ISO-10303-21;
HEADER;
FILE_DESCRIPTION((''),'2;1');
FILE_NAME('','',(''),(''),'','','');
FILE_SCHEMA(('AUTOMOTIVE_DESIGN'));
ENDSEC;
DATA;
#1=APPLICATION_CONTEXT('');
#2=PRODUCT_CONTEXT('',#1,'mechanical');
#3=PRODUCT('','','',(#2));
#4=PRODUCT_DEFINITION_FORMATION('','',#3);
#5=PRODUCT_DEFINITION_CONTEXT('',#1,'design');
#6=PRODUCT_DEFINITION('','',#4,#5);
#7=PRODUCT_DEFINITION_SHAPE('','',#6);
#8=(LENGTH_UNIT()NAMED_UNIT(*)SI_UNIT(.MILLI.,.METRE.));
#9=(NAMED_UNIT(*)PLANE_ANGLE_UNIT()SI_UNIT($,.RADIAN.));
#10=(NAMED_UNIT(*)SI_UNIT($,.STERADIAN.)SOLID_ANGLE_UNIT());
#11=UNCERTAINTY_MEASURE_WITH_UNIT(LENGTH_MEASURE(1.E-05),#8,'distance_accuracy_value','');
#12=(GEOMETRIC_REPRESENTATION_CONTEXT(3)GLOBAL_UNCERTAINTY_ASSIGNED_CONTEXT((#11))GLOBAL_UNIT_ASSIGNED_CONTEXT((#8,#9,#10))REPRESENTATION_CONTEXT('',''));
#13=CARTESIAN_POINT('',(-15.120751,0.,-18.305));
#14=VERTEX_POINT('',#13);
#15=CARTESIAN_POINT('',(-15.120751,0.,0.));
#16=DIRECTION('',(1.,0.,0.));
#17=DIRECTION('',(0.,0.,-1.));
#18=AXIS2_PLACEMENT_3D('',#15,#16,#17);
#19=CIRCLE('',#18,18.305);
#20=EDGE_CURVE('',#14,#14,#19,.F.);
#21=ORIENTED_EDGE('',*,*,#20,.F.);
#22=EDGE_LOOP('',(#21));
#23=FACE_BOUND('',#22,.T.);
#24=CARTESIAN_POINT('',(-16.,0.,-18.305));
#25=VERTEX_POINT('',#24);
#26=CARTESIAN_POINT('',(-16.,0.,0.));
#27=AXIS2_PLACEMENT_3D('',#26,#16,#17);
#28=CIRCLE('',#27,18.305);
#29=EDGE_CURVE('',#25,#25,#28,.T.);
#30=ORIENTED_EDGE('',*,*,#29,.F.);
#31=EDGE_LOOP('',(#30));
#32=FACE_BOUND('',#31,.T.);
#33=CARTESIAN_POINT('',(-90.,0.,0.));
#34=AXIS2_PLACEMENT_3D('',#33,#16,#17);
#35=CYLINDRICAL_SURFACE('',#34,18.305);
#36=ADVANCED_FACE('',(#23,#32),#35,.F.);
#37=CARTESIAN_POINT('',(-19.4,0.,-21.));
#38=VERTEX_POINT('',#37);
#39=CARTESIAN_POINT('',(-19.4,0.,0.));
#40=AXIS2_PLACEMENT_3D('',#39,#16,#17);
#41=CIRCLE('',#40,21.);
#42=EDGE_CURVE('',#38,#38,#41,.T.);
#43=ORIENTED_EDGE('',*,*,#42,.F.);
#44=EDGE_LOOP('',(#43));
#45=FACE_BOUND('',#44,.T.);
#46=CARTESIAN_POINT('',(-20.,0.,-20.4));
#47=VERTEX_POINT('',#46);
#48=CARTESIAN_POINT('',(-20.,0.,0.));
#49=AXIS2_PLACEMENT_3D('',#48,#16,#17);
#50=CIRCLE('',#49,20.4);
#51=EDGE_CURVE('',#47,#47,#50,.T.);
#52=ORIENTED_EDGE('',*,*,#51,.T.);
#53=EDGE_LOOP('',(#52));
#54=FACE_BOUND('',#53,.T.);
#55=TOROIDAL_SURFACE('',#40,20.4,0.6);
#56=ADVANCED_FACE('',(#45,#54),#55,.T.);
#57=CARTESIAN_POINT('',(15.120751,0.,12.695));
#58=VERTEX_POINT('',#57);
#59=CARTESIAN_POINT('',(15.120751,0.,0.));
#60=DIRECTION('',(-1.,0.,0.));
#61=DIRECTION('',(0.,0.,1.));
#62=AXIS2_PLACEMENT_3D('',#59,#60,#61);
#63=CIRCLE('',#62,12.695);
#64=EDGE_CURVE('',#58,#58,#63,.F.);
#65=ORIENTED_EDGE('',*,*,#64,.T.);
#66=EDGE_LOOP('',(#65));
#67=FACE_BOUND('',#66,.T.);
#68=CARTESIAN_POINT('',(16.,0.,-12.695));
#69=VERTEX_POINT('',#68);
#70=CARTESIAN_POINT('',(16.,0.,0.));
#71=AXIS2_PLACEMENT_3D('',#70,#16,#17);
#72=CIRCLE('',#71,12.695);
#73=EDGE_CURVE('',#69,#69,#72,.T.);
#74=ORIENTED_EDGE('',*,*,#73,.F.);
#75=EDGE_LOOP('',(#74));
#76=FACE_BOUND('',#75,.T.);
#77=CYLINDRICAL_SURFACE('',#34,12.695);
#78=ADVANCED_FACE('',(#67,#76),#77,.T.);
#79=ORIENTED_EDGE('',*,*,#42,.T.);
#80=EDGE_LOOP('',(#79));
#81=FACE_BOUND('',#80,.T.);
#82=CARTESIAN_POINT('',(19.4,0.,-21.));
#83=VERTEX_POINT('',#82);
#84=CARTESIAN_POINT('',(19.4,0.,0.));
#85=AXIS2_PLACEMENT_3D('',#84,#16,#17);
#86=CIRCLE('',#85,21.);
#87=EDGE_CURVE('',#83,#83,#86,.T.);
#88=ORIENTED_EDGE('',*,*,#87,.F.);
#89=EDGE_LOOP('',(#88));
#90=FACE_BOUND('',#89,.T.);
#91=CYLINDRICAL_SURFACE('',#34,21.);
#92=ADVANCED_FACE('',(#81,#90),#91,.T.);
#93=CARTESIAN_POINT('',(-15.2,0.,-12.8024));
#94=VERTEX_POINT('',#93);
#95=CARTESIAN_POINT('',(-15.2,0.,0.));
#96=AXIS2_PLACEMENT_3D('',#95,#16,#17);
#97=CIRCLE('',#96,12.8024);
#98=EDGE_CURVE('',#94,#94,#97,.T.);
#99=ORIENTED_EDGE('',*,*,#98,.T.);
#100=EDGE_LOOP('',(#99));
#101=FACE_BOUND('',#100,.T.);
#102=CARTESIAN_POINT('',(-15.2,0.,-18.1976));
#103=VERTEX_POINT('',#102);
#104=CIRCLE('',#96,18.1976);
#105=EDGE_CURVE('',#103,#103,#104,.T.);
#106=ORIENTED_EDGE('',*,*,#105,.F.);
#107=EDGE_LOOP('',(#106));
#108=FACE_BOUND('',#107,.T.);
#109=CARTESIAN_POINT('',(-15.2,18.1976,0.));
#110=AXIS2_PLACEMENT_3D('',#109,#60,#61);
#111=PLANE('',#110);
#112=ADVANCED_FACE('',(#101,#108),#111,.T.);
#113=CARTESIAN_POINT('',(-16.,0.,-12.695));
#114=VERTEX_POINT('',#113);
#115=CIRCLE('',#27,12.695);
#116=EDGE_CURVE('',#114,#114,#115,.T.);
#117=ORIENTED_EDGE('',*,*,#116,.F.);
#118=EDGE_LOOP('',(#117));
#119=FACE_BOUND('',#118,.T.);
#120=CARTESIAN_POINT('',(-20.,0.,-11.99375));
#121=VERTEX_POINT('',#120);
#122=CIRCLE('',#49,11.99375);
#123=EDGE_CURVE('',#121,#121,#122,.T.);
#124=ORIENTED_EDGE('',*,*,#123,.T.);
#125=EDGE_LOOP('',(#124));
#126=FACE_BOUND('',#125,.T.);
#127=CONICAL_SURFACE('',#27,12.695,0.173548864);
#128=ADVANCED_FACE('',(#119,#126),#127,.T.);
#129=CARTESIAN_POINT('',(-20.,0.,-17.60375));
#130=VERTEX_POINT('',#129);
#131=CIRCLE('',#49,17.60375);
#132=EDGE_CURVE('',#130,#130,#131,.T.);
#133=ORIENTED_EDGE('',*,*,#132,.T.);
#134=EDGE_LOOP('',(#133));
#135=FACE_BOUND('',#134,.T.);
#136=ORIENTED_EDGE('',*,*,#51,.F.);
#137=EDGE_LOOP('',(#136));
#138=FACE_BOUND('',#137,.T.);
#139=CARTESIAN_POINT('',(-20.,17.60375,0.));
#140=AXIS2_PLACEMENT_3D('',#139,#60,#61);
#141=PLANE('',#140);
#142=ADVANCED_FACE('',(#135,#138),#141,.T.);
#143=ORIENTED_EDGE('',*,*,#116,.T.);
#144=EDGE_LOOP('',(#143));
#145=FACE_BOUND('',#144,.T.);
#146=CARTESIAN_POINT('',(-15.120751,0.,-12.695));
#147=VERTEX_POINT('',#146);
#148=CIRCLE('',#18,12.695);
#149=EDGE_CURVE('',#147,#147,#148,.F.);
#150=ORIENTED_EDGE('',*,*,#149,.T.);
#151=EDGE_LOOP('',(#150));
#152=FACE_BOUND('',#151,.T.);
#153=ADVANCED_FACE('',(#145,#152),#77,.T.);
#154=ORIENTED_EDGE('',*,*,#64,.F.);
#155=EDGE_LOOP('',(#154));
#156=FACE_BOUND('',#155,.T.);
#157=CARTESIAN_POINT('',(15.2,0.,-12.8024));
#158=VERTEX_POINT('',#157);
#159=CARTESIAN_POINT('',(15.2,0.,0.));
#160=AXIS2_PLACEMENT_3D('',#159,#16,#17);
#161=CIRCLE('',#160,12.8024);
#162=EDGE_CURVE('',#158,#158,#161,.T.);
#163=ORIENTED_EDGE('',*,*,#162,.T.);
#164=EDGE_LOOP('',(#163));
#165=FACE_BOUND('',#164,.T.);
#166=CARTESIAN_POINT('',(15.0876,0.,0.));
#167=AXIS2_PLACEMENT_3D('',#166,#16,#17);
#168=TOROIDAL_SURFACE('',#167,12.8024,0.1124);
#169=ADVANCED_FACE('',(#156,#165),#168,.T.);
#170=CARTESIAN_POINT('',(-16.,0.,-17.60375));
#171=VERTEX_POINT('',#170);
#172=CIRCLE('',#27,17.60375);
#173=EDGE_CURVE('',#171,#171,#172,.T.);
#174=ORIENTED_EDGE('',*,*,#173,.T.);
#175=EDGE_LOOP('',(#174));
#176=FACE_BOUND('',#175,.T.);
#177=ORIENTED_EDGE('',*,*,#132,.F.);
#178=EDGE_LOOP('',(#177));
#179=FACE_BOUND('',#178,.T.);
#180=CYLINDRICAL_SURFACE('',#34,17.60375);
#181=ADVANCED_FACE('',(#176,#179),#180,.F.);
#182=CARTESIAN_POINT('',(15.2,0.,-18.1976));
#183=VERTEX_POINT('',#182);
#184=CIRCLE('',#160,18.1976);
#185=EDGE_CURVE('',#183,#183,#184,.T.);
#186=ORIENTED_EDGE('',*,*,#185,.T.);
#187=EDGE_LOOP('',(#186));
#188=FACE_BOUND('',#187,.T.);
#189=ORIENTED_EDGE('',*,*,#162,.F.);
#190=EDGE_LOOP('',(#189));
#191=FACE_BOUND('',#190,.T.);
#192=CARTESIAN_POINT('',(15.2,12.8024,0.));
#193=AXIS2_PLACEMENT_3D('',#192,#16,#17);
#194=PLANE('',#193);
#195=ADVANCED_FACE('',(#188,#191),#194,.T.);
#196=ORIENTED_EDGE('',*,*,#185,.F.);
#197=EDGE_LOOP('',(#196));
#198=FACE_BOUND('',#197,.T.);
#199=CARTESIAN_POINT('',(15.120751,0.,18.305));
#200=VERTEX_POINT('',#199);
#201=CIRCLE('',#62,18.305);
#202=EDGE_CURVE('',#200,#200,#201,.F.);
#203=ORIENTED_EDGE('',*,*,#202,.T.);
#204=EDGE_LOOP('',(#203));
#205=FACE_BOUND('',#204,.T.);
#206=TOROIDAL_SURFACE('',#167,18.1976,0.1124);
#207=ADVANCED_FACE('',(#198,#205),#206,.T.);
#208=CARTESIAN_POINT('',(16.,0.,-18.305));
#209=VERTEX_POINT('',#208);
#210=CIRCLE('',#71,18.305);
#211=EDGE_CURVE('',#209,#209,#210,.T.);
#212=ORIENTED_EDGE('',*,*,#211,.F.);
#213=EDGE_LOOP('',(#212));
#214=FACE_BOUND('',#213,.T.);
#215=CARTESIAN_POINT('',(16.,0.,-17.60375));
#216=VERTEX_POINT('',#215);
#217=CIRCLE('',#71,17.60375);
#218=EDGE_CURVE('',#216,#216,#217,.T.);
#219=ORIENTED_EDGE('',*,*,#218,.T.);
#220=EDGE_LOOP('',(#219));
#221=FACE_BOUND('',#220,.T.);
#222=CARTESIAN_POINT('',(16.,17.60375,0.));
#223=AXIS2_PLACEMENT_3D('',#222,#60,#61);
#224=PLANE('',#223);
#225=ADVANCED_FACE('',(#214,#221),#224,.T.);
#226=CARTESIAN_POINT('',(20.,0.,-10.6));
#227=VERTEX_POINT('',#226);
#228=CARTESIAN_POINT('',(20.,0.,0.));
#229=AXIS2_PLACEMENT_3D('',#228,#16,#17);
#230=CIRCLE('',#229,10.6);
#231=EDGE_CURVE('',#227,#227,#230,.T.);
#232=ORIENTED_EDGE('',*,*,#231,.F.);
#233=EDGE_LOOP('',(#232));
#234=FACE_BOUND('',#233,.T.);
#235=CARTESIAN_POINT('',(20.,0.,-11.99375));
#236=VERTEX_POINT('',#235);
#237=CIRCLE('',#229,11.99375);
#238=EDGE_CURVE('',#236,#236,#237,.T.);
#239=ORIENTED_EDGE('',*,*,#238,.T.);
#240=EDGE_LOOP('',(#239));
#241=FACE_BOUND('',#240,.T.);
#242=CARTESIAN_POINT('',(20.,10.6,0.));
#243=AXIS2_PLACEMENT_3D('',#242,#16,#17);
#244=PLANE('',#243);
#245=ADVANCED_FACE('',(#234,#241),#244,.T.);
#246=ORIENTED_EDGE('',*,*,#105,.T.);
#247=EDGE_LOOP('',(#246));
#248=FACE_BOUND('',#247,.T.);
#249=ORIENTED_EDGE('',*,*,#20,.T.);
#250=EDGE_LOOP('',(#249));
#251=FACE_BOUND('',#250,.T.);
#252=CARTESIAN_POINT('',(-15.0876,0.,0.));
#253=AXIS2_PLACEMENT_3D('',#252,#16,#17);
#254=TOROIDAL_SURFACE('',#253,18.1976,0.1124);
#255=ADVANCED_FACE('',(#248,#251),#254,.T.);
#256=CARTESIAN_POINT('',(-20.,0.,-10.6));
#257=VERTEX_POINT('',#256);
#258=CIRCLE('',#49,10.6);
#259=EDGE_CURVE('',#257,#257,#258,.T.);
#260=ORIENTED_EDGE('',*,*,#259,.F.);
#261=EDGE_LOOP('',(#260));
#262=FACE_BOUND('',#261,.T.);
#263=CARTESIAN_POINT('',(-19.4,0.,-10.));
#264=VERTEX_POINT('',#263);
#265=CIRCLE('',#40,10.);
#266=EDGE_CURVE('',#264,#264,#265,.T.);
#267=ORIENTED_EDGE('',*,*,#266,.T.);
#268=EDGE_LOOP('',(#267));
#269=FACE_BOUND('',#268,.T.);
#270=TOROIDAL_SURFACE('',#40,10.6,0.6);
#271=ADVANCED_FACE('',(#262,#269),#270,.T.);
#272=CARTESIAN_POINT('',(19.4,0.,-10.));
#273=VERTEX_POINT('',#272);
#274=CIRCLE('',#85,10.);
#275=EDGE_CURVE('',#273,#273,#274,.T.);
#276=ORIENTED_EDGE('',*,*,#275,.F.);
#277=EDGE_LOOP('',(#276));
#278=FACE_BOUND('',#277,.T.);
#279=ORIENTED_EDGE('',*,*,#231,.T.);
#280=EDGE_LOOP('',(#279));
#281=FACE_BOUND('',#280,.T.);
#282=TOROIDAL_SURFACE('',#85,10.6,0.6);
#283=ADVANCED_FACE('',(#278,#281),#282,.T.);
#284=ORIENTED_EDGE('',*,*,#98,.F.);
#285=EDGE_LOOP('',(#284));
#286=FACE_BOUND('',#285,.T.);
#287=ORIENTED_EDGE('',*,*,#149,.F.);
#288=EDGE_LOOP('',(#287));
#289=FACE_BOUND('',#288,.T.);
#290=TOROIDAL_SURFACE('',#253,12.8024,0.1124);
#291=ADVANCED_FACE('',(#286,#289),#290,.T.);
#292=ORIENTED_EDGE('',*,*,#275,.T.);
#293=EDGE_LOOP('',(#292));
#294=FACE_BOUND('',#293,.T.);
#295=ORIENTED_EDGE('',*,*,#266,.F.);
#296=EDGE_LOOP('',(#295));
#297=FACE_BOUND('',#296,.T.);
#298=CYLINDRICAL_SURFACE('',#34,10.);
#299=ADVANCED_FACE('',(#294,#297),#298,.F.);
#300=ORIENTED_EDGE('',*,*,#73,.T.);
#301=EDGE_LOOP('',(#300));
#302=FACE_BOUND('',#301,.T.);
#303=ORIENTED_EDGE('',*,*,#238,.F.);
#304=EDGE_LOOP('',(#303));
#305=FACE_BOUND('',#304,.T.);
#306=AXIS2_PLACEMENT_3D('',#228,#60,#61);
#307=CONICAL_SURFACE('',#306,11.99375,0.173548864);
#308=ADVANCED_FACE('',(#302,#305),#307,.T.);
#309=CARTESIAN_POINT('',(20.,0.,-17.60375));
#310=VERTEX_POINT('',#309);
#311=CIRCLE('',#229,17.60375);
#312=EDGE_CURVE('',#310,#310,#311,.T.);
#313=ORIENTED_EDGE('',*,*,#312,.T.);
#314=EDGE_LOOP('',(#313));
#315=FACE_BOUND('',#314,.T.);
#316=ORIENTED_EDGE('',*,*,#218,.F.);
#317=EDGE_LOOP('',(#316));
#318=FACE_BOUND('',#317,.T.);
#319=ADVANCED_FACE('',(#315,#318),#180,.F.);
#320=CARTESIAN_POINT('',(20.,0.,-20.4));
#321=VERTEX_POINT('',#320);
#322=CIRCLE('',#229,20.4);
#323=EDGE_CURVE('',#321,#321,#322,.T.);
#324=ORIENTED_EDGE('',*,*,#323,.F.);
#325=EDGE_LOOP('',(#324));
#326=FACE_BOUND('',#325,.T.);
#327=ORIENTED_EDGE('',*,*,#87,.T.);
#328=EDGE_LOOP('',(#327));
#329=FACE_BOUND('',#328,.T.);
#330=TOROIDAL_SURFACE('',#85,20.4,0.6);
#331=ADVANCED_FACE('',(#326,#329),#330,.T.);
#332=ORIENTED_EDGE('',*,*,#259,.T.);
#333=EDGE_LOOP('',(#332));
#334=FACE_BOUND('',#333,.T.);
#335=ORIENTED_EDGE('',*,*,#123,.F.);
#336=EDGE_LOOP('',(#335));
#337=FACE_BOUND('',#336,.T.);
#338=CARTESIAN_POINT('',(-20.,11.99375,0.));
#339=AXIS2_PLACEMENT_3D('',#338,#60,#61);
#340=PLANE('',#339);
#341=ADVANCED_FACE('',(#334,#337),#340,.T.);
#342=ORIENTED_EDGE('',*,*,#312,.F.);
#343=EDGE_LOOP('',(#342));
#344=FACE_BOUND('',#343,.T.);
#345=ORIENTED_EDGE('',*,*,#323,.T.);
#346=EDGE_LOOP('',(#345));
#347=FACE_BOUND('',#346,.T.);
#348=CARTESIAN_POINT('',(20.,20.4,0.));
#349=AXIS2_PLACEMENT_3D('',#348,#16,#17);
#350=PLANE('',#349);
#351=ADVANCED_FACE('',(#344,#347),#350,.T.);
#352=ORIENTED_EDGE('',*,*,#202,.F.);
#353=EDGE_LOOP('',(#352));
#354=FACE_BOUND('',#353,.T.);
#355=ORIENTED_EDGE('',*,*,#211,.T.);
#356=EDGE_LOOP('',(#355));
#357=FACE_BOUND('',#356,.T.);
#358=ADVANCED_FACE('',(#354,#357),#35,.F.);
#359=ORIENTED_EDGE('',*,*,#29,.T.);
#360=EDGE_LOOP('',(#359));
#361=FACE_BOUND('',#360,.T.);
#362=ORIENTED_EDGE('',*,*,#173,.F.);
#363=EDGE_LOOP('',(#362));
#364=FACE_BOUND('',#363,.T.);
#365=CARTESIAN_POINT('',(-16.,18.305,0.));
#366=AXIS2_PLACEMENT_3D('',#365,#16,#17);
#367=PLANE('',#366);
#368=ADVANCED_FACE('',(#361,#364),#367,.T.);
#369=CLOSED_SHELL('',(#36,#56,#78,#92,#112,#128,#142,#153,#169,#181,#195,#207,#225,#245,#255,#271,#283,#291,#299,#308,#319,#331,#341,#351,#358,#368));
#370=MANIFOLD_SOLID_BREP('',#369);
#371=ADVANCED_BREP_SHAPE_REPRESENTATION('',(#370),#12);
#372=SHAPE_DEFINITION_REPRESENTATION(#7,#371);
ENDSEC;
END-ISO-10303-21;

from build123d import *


with BuildPart() as part:
    # OutRacSke → OuterRace (revolve)
    with BuildSketch(Plane.XY):
        with BuildLine():
            Line((-16, 17.60375), (-20, 17.60375))
            Line((-20, 17.60375), (-20, 20.4))
            ThreePointArc((-20, 20.4), (-19.824264069, 20.824264069), (-19.4, 21))
            Line((-19.4, 21), (19.4, 21))
            ThreePointArc((19.4, 21), (19.824264069, 20.824264069), (20, 20.4))
            Line((20, 20.4), (20, 17.60375))
            Line((20, 17.60375), (16, 17.60375))
            Line((16, 17.60375), (16, 18.305))
            Line((16, 18.305), (-16, 18.305))
            Line((-16, 18.305), (-16, 17.60375))
        make_face()
    revolve(axis=Axis((-90, 0, 0), (1, 0, 0)))

    # RolSimSke → RollersSimplified (revolve)
    with BuildSketch(Plane(origin=(0, 101.6, 0), x_dir=(1, 0, 0), z_dir=(0, 0, 1))):
        with BuildLine():
            Line((-15.2, -83.4024), (-15.2, -88.7976))
            ThreePointArc((-15.2, -88.7976), (-15.167078802, -88.877078802), (-15.0876, -88.91))
            Line((-15.0876, -88.91), (15.0876, -88.91))
            ThreePointArc((15.0876, -88.91), (15.167078802, -88.877078802), (15.2, -88.7976))
            Line((15.2, -88.7976), (15.2, -83.4024))
            ThreePointArc((15.2, -83.4024), (15.167078802, -83.322921198), (15.0876, -83.29))
            Line((15.0876, -83.29), (-15.0876, -83.29))
            ThreePointArc((-15.0876, -83.29), (-15.167078802, -83.322921198), (-15.2, -83.4024))
        make_face()
    revolve(axis=Axis((25.4, 0, 0), (-1, 0, 0)))

    # InsRacSke → InnerRace (revolve)
    with BuildSketch(Plane.XY):
        with BuildLine():
            Line((-16, 12.695), (-20, 11.99375))
            Line((-20, 11.99375), (-20, 10.6))
            ThreePointArc((-20, 10.6), (-19.824264069, 10.175735931), (-19.4, 10))
            Line((-19.4, 10), (19.4, 10))
            ThreePointArc((19.4, 10), (19.824264069, 10.175735931), (20, 10.6))
            Line((20, 10.6), (20, 11.99375))
            Line((20, 11.99375), (16, 12.695))
            Line((16, 12.695), (-16, 12.695))
        make_face()
    revolve(axis=Axis((-90, 0, 0), (1, 0, 0)))


solid = part.part
